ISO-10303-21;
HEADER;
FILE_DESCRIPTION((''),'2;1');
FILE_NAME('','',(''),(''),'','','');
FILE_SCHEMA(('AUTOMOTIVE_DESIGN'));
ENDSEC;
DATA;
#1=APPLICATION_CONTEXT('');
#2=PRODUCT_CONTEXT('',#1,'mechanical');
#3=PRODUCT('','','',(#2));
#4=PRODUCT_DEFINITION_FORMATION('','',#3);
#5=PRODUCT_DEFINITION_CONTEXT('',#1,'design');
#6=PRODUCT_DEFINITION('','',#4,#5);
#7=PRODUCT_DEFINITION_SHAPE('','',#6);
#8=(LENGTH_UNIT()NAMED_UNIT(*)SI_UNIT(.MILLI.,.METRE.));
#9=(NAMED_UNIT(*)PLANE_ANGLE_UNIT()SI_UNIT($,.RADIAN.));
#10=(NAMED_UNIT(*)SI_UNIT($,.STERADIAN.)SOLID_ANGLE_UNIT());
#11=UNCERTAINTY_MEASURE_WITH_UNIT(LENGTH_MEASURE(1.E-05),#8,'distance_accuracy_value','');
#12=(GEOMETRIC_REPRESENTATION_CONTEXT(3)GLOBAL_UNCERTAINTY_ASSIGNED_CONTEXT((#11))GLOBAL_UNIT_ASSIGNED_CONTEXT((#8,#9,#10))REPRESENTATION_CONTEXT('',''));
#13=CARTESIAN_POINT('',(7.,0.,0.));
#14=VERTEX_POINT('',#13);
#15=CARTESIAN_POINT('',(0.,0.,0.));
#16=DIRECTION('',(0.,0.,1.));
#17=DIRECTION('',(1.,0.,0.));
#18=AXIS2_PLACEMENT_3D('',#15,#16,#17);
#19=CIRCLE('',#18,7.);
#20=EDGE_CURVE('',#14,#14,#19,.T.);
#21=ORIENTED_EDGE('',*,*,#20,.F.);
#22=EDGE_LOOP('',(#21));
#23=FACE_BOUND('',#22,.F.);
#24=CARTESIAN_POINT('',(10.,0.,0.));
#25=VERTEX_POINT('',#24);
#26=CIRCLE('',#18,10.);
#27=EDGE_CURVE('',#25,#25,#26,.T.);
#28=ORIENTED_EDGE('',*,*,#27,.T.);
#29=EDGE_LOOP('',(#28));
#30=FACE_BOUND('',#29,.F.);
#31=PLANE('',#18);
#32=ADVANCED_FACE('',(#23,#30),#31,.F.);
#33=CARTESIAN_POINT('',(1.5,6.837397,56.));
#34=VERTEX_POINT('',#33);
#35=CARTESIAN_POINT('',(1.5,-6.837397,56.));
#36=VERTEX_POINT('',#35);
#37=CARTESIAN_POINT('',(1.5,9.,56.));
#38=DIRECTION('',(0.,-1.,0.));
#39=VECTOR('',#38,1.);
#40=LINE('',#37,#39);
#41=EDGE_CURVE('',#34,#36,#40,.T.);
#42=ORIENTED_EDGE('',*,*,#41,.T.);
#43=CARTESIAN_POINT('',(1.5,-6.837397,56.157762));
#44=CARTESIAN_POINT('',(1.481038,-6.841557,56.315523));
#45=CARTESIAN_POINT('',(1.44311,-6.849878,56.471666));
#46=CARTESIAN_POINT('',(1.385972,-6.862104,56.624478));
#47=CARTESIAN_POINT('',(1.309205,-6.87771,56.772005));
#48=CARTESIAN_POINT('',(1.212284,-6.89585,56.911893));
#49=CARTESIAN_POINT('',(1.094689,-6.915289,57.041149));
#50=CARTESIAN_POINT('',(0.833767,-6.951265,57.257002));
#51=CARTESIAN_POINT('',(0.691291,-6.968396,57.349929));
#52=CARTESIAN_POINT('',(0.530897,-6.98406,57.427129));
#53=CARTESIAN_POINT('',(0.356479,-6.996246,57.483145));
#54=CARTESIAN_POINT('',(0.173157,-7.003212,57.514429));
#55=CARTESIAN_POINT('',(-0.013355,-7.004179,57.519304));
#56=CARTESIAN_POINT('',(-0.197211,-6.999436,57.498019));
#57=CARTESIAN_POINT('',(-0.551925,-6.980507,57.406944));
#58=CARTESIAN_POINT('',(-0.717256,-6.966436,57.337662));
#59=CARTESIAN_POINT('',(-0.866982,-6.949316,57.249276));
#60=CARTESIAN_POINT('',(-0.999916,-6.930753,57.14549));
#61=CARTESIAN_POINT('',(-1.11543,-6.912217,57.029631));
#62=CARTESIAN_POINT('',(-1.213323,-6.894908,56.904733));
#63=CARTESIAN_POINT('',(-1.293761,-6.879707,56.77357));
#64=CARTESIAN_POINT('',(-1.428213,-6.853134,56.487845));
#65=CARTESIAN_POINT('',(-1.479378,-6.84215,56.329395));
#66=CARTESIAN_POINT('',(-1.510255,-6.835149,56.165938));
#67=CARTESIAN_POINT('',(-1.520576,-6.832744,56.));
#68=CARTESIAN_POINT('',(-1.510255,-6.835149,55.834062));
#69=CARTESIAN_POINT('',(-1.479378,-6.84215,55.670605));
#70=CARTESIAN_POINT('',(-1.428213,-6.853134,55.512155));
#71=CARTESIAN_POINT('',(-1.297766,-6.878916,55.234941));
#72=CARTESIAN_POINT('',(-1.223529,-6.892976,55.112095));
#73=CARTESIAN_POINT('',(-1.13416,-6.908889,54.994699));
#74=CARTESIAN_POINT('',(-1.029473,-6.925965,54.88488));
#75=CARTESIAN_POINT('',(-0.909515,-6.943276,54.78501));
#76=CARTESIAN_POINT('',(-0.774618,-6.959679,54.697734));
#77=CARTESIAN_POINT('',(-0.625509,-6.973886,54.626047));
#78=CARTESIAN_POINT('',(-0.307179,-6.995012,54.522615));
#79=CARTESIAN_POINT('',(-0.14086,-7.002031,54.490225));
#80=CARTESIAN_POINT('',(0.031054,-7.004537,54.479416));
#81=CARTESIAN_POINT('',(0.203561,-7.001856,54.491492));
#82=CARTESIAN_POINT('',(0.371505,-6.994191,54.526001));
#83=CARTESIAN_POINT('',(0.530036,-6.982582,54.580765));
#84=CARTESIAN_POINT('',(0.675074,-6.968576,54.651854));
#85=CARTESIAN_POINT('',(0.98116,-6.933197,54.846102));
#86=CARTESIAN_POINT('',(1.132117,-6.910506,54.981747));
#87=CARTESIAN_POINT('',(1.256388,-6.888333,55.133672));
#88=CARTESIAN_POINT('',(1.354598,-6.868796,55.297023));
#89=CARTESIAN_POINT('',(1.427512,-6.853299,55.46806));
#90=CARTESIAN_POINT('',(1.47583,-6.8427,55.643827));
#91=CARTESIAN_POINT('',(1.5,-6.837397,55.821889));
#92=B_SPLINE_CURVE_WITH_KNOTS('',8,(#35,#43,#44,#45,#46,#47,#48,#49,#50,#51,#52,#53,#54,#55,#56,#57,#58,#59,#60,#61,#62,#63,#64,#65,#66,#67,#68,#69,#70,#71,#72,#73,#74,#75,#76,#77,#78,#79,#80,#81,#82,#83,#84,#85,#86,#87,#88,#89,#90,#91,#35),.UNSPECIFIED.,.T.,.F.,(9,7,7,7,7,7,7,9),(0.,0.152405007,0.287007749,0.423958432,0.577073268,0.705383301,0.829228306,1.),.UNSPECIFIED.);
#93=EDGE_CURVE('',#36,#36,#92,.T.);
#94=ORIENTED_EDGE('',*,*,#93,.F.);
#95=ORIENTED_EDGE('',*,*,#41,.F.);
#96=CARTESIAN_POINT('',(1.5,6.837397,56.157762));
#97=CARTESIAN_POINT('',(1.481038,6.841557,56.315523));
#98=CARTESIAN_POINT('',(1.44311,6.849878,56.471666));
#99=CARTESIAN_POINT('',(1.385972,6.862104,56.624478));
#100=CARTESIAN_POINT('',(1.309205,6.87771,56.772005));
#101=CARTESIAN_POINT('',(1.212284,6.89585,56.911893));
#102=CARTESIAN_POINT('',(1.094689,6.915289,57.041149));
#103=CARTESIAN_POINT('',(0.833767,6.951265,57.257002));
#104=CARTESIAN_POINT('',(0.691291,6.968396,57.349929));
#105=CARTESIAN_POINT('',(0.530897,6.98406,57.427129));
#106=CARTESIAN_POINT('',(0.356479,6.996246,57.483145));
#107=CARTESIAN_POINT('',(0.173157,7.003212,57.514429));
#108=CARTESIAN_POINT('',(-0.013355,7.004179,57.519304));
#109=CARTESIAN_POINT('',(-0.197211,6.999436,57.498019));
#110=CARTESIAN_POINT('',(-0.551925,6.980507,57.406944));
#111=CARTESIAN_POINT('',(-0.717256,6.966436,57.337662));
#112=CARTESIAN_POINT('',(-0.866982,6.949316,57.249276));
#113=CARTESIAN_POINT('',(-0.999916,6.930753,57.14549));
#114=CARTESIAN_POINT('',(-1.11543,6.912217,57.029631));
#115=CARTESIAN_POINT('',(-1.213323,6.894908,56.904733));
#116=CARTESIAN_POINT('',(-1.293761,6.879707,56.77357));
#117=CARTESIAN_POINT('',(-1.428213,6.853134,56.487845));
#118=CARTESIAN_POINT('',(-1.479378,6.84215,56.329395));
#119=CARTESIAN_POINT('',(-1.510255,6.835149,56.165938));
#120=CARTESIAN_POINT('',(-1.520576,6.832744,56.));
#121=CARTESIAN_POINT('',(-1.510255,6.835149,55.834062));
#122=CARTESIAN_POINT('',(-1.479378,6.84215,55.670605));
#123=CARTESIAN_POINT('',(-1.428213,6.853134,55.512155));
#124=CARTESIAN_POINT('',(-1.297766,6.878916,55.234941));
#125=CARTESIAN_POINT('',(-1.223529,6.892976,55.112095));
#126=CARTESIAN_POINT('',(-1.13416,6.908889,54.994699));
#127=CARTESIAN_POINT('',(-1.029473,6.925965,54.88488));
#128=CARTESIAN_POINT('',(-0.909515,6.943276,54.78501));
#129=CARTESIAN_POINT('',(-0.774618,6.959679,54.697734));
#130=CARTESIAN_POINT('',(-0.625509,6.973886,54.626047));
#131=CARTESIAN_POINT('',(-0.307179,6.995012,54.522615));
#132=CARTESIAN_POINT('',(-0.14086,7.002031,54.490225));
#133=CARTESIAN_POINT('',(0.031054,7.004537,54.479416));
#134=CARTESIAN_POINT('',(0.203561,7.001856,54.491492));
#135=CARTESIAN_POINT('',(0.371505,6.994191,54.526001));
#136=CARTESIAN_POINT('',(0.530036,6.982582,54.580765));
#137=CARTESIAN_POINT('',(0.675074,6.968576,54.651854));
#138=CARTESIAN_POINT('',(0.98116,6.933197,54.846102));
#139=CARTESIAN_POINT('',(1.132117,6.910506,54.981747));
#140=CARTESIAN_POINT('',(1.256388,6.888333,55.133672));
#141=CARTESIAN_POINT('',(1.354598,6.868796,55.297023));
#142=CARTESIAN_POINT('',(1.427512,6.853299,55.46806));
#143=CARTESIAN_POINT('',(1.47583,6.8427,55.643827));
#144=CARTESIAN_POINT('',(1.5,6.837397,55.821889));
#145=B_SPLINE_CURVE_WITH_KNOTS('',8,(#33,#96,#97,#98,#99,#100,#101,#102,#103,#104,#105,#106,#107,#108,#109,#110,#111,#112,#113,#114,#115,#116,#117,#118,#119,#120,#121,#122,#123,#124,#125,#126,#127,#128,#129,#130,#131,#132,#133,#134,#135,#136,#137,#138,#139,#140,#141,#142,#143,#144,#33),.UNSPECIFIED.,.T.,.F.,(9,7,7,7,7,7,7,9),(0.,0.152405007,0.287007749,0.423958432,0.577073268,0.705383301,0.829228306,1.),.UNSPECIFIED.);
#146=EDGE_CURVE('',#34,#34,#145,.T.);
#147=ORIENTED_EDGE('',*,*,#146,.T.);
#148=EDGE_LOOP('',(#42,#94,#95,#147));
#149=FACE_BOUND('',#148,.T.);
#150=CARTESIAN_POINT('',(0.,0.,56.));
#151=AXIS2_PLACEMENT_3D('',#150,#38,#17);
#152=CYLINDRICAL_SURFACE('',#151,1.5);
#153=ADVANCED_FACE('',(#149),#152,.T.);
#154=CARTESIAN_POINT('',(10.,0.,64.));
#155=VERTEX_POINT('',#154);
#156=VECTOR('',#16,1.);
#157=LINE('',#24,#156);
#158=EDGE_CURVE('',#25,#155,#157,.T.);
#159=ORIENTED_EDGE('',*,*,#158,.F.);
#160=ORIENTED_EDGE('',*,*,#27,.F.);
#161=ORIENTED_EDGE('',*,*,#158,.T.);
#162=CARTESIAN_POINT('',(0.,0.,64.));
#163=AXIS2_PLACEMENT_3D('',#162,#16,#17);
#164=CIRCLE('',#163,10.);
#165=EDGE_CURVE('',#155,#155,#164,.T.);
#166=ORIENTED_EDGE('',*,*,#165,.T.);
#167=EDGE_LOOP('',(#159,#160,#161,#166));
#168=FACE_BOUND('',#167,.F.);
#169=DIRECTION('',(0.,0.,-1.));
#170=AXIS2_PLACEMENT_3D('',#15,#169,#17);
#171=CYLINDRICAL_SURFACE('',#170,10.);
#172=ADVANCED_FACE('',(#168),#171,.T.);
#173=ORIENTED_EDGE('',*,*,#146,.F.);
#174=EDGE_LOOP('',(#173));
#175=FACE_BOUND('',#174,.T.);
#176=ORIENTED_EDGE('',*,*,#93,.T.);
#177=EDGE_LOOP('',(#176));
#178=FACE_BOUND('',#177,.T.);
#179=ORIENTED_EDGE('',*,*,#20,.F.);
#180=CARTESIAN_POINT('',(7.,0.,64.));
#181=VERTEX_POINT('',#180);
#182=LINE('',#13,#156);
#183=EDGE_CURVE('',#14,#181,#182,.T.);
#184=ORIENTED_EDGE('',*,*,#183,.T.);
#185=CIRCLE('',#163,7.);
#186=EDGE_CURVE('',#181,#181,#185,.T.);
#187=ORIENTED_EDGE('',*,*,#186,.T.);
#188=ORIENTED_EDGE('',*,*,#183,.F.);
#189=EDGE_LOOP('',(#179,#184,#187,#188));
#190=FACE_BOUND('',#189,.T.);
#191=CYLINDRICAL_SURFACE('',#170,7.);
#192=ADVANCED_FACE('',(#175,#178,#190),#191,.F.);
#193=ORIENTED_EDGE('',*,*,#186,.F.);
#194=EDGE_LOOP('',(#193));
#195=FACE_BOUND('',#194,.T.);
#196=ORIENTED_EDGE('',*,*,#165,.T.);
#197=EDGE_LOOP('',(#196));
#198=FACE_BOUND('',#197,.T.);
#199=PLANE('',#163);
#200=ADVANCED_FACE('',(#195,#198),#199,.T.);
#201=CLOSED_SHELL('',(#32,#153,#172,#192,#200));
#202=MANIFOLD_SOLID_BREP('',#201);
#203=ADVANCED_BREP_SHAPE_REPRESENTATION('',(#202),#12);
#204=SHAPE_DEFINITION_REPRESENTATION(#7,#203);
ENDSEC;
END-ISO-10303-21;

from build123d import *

# Parameters (mm, degrees)
F0_R     = 10
F0_R_2   = 7
F1_DEPTH = 64
F2_R     = 1.5
F3_DEPTH = 9


with BuildPart() as f1:
    # F0 (on Top) → F1 (new body)
    with BuildSketch(Plane.XY):
        Circle(F0_R)
        Circle(F0_R_2, mode=Mode.SUBTRACT)
    extrude(amount=F1_DEPTH)

    # F2 (on Front) → F3 (join, symmetric)
    with BuildSketch(Plane.XZ):
        with Locations((0, 56)):
            Circle(F2_R)
    extrude(amount=F3_DEPTH, both=True)


solid = f1.part
